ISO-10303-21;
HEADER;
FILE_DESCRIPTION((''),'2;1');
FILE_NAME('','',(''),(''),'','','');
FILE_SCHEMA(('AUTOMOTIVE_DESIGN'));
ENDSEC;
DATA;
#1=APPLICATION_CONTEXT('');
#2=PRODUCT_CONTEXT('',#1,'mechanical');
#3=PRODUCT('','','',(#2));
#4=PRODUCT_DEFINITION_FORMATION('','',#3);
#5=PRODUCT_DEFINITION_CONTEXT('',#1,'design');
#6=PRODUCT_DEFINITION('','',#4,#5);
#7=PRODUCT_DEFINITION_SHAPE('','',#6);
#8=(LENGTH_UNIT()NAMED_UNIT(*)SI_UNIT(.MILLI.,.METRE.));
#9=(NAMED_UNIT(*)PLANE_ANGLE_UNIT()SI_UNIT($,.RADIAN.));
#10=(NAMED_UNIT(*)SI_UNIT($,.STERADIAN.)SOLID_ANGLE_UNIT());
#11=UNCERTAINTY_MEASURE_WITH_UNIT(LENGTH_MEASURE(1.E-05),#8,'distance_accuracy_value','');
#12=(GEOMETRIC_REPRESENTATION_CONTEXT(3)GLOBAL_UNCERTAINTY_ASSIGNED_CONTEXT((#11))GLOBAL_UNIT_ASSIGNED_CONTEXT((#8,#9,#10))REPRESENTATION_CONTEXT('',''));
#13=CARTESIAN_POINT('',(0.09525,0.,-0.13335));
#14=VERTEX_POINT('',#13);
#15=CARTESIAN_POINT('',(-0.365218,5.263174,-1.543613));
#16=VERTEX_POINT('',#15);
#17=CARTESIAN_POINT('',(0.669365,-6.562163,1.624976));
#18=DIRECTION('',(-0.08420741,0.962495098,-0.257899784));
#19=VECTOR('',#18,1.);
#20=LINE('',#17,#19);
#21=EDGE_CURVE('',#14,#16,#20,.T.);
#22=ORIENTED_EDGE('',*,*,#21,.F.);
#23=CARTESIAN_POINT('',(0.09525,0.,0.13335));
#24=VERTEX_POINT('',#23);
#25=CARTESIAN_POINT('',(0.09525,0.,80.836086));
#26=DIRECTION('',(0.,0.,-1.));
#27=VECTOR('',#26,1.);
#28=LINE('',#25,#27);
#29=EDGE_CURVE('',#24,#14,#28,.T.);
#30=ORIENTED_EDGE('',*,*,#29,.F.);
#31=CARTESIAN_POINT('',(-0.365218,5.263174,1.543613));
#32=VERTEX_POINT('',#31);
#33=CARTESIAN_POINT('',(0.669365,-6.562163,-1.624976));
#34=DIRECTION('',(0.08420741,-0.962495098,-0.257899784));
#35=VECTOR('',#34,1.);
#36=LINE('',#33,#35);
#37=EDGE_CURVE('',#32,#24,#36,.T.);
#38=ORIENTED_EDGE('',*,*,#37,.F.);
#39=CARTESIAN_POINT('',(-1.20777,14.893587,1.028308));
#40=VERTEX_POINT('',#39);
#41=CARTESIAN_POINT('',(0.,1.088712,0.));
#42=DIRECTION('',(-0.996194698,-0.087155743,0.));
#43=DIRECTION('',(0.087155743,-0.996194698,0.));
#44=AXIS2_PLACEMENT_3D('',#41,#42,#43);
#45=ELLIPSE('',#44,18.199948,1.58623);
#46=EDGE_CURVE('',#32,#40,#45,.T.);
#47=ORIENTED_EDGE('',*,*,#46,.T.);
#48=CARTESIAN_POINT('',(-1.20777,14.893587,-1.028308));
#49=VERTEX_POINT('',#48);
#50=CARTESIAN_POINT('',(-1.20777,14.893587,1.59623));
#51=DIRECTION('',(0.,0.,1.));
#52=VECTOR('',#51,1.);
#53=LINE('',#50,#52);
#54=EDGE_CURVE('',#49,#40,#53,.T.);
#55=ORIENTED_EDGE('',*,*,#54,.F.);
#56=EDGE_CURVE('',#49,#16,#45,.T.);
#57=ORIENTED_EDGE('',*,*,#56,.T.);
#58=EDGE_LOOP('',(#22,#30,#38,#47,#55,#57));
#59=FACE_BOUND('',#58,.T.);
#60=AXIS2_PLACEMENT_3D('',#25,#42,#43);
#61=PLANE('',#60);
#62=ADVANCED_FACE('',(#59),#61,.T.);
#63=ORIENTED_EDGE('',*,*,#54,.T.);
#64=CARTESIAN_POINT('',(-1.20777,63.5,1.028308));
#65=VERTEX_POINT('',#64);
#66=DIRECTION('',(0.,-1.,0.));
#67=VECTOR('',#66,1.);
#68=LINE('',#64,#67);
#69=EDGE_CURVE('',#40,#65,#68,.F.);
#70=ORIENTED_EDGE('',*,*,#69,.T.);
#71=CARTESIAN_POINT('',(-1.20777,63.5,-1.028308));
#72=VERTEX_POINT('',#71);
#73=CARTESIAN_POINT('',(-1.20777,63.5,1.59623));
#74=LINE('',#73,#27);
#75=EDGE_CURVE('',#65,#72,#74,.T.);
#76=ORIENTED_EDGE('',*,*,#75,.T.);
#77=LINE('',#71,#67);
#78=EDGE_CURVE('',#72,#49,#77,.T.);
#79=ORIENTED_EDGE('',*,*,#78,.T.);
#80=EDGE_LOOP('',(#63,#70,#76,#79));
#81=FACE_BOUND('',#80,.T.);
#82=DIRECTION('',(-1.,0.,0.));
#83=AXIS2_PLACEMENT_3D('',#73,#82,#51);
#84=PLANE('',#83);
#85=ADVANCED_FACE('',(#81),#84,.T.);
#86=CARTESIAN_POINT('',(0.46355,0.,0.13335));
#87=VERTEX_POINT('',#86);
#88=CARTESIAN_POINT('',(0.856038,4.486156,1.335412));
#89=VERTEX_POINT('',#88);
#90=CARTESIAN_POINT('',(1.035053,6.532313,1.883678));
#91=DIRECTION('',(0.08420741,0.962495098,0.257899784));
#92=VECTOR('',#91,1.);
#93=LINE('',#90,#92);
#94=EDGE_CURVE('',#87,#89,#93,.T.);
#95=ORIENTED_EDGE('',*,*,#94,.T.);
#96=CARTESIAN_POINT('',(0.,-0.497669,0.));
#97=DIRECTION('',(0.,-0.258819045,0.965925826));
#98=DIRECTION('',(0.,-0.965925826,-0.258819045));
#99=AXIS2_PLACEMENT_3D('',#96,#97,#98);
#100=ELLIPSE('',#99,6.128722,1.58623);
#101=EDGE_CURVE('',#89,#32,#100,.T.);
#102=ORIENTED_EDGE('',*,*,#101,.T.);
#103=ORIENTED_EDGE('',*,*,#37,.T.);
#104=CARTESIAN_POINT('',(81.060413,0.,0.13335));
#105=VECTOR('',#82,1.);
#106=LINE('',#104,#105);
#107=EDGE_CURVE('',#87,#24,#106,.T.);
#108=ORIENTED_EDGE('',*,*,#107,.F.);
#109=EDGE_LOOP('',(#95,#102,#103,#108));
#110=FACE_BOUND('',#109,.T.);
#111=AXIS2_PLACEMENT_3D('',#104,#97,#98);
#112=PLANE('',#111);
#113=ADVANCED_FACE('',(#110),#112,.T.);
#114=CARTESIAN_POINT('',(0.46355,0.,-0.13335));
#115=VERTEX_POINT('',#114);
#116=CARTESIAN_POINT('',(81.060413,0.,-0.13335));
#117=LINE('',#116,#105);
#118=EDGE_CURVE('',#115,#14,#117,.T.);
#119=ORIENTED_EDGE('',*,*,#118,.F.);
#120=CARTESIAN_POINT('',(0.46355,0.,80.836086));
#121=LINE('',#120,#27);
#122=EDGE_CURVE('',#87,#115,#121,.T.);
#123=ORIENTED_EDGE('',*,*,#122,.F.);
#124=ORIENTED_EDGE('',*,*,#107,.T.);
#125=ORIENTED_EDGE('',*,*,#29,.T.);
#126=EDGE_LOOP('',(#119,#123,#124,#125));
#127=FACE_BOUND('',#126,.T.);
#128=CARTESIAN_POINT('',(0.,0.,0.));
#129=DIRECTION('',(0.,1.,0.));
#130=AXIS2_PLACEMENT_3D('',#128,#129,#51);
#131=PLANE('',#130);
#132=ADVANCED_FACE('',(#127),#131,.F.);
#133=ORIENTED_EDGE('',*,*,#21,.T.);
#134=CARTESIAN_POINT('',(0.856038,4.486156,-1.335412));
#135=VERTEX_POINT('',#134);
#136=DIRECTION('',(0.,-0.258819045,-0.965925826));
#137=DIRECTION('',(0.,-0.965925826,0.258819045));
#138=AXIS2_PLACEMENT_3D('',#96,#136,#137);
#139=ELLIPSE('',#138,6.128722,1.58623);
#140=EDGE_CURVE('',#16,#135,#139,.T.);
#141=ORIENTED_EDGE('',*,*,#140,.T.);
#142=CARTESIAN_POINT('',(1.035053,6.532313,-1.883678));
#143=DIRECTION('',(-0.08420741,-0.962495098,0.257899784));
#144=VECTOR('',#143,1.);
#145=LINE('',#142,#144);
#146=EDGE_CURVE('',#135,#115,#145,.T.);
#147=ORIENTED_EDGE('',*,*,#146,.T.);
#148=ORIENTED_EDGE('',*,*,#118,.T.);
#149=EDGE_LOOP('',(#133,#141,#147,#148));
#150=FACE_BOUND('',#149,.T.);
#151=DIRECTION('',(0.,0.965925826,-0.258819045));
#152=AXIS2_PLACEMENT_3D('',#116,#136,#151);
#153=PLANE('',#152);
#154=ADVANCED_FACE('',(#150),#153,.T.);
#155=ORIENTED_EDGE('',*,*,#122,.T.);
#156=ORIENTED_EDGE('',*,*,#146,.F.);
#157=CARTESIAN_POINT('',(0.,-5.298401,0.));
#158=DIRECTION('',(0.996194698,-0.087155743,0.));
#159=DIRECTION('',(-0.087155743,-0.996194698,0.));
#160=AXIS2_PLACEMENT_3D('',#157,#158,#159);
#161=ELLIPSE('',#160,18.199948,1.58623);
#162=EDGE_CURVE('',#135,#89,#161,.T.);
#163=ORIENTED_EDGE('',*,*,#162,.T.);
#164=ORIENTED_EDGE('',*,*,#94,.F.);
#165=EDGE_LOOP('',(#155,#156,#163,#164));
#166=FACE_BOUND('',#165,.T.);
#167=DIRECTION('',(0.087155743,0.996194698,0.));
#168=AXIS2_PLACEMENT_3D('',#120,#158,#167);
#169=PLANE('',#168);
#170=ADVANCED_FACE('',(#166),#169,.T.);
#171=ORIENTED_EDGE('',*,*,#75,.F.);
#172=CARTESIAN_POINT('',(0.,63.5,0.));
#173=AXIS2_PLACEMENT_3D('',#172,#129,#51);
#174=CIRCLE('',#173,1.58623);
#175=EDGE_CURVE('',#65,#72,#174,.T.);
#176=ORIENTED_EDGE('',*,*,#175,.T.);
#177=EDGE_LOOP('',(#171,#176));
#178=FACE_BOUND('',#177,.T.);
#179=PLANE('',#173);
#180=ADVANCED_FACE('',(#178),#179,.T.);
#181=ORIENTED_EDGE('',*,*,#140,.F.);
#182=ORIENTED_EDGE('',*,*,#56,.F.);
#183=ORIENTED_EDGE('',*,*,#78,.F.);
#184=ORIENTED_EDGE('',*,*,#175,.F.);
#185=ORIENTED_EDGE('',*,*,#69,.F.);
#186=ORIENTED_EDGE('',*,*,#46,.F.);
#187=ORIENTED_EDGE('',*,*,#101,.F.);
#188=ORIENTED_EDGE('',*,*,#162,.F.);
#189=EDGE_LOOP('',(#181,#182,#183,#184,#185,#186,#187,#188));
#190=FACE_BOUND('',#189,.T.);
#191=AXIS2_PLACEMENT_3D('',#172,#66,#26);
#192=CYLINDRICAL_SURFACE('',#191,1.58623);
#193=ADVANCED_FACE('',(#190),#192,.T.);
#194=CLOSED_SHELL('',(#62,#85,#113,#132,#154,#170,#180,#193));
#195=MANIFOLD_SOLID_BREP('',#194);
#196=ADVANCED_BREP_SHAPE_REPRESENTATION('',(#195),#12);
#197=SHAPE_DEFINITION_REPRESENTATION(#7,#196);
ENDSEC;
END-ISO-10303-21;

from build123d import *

# Parameters (mm, degrees)
TD_SKETCH_R                  = 1.58623
TL_FEATURE_DEPTH             = 63.5
TDF_SKETCH_W                 = 3.19246
TDF_SKETCH_H                 = 3.19246
TDF_FEATURE_DEPTH            = 64.53961167
ISA_FEATURE_DEPTH            = 64.53961167
ISA_FEATURE_DEPTH_BACK       = 64.53961167
STD_SHANK_FEATURE_DEPTH      = 64.53961167
STD_SHANK_FEATURE_DEPTH_BACK = 64.53961167


with BuildPart() as part:
    # TD_sketch → TL_feature (new body)
    with BuildSketch(Plane(origin=(0, 0, 0), x_dir=(1, 0, 0), z_dir=(0, 1, 0))):
        with Locations(Location((0, 0, 0), (0, 0, 270))):
            Circle(TD_SKETCH_R)
    extrude(amount=TL_FEATURE_DEPTH)

    # TDF_sketch → TDF_feature (cut, through all)
    with BuildSketch(Plane(origin=(0, 0, 0), x_dir=(1, 0, 0), z_dir=(0, 1, 0))):
        with Locations((-2.804, 0)):
            Rectangle(TDF_SKETCH_W, TDF_SKETCH_H)
    extrude(amount=TDF_FEATURE_DEPTH, mode=Mode.SUBTRACT)

    # ISA_sketch → ISA_feature (cut, two sides: drawn at the far end of the back side and taken through both)
    with BuildSketch(Plane(origin=(0, 0, 0), x_dir=(0, 0, -1), z_dir=(1, 0, 0)).offset(-ISA_FEATURE_DEPTH_BACK)):
        Polygon((-54.007028628, 201.05930583), (-17.148123719, 63.5), (-0.13335, 0), (0.13335, 0), (17.148123719, 63.5), (54.007028628, 201.05930583), (54.007028628, -83.764439609), (-54.007028628, -83.764439609), align=None)
    extrude(amount=ISA_FEATURE_DEPTH + ISA_FEATURE_DEPTH_BACK, mode=Mode.SUBTRACT)

    # STD_shank_sketch → STD_shank_feature (cut, two sides: drawn at the far end of the back side and taken through both)
    with BuildSketch(Plane.XY.offset(-STD_SHANK_FEATURE_DEPTH_BACK)):
        Polygon((-17.472069957, 200.795385926), (-5.460280134, 63.5), (0.09525, 0), (0.46355, 0), (6.019080134, 63.5), (18.030869957, 200.795385926), (18.030869957, -74.844278065), (-17.472069957, -74.844278065), align=None)
    extrude(amount=STD_SHANK_FEATURE_DEPTH + STD_SHANK_FEATURE_DEPTH_BACK, mode=Mode.SUBTRACT)


solid = part.part
